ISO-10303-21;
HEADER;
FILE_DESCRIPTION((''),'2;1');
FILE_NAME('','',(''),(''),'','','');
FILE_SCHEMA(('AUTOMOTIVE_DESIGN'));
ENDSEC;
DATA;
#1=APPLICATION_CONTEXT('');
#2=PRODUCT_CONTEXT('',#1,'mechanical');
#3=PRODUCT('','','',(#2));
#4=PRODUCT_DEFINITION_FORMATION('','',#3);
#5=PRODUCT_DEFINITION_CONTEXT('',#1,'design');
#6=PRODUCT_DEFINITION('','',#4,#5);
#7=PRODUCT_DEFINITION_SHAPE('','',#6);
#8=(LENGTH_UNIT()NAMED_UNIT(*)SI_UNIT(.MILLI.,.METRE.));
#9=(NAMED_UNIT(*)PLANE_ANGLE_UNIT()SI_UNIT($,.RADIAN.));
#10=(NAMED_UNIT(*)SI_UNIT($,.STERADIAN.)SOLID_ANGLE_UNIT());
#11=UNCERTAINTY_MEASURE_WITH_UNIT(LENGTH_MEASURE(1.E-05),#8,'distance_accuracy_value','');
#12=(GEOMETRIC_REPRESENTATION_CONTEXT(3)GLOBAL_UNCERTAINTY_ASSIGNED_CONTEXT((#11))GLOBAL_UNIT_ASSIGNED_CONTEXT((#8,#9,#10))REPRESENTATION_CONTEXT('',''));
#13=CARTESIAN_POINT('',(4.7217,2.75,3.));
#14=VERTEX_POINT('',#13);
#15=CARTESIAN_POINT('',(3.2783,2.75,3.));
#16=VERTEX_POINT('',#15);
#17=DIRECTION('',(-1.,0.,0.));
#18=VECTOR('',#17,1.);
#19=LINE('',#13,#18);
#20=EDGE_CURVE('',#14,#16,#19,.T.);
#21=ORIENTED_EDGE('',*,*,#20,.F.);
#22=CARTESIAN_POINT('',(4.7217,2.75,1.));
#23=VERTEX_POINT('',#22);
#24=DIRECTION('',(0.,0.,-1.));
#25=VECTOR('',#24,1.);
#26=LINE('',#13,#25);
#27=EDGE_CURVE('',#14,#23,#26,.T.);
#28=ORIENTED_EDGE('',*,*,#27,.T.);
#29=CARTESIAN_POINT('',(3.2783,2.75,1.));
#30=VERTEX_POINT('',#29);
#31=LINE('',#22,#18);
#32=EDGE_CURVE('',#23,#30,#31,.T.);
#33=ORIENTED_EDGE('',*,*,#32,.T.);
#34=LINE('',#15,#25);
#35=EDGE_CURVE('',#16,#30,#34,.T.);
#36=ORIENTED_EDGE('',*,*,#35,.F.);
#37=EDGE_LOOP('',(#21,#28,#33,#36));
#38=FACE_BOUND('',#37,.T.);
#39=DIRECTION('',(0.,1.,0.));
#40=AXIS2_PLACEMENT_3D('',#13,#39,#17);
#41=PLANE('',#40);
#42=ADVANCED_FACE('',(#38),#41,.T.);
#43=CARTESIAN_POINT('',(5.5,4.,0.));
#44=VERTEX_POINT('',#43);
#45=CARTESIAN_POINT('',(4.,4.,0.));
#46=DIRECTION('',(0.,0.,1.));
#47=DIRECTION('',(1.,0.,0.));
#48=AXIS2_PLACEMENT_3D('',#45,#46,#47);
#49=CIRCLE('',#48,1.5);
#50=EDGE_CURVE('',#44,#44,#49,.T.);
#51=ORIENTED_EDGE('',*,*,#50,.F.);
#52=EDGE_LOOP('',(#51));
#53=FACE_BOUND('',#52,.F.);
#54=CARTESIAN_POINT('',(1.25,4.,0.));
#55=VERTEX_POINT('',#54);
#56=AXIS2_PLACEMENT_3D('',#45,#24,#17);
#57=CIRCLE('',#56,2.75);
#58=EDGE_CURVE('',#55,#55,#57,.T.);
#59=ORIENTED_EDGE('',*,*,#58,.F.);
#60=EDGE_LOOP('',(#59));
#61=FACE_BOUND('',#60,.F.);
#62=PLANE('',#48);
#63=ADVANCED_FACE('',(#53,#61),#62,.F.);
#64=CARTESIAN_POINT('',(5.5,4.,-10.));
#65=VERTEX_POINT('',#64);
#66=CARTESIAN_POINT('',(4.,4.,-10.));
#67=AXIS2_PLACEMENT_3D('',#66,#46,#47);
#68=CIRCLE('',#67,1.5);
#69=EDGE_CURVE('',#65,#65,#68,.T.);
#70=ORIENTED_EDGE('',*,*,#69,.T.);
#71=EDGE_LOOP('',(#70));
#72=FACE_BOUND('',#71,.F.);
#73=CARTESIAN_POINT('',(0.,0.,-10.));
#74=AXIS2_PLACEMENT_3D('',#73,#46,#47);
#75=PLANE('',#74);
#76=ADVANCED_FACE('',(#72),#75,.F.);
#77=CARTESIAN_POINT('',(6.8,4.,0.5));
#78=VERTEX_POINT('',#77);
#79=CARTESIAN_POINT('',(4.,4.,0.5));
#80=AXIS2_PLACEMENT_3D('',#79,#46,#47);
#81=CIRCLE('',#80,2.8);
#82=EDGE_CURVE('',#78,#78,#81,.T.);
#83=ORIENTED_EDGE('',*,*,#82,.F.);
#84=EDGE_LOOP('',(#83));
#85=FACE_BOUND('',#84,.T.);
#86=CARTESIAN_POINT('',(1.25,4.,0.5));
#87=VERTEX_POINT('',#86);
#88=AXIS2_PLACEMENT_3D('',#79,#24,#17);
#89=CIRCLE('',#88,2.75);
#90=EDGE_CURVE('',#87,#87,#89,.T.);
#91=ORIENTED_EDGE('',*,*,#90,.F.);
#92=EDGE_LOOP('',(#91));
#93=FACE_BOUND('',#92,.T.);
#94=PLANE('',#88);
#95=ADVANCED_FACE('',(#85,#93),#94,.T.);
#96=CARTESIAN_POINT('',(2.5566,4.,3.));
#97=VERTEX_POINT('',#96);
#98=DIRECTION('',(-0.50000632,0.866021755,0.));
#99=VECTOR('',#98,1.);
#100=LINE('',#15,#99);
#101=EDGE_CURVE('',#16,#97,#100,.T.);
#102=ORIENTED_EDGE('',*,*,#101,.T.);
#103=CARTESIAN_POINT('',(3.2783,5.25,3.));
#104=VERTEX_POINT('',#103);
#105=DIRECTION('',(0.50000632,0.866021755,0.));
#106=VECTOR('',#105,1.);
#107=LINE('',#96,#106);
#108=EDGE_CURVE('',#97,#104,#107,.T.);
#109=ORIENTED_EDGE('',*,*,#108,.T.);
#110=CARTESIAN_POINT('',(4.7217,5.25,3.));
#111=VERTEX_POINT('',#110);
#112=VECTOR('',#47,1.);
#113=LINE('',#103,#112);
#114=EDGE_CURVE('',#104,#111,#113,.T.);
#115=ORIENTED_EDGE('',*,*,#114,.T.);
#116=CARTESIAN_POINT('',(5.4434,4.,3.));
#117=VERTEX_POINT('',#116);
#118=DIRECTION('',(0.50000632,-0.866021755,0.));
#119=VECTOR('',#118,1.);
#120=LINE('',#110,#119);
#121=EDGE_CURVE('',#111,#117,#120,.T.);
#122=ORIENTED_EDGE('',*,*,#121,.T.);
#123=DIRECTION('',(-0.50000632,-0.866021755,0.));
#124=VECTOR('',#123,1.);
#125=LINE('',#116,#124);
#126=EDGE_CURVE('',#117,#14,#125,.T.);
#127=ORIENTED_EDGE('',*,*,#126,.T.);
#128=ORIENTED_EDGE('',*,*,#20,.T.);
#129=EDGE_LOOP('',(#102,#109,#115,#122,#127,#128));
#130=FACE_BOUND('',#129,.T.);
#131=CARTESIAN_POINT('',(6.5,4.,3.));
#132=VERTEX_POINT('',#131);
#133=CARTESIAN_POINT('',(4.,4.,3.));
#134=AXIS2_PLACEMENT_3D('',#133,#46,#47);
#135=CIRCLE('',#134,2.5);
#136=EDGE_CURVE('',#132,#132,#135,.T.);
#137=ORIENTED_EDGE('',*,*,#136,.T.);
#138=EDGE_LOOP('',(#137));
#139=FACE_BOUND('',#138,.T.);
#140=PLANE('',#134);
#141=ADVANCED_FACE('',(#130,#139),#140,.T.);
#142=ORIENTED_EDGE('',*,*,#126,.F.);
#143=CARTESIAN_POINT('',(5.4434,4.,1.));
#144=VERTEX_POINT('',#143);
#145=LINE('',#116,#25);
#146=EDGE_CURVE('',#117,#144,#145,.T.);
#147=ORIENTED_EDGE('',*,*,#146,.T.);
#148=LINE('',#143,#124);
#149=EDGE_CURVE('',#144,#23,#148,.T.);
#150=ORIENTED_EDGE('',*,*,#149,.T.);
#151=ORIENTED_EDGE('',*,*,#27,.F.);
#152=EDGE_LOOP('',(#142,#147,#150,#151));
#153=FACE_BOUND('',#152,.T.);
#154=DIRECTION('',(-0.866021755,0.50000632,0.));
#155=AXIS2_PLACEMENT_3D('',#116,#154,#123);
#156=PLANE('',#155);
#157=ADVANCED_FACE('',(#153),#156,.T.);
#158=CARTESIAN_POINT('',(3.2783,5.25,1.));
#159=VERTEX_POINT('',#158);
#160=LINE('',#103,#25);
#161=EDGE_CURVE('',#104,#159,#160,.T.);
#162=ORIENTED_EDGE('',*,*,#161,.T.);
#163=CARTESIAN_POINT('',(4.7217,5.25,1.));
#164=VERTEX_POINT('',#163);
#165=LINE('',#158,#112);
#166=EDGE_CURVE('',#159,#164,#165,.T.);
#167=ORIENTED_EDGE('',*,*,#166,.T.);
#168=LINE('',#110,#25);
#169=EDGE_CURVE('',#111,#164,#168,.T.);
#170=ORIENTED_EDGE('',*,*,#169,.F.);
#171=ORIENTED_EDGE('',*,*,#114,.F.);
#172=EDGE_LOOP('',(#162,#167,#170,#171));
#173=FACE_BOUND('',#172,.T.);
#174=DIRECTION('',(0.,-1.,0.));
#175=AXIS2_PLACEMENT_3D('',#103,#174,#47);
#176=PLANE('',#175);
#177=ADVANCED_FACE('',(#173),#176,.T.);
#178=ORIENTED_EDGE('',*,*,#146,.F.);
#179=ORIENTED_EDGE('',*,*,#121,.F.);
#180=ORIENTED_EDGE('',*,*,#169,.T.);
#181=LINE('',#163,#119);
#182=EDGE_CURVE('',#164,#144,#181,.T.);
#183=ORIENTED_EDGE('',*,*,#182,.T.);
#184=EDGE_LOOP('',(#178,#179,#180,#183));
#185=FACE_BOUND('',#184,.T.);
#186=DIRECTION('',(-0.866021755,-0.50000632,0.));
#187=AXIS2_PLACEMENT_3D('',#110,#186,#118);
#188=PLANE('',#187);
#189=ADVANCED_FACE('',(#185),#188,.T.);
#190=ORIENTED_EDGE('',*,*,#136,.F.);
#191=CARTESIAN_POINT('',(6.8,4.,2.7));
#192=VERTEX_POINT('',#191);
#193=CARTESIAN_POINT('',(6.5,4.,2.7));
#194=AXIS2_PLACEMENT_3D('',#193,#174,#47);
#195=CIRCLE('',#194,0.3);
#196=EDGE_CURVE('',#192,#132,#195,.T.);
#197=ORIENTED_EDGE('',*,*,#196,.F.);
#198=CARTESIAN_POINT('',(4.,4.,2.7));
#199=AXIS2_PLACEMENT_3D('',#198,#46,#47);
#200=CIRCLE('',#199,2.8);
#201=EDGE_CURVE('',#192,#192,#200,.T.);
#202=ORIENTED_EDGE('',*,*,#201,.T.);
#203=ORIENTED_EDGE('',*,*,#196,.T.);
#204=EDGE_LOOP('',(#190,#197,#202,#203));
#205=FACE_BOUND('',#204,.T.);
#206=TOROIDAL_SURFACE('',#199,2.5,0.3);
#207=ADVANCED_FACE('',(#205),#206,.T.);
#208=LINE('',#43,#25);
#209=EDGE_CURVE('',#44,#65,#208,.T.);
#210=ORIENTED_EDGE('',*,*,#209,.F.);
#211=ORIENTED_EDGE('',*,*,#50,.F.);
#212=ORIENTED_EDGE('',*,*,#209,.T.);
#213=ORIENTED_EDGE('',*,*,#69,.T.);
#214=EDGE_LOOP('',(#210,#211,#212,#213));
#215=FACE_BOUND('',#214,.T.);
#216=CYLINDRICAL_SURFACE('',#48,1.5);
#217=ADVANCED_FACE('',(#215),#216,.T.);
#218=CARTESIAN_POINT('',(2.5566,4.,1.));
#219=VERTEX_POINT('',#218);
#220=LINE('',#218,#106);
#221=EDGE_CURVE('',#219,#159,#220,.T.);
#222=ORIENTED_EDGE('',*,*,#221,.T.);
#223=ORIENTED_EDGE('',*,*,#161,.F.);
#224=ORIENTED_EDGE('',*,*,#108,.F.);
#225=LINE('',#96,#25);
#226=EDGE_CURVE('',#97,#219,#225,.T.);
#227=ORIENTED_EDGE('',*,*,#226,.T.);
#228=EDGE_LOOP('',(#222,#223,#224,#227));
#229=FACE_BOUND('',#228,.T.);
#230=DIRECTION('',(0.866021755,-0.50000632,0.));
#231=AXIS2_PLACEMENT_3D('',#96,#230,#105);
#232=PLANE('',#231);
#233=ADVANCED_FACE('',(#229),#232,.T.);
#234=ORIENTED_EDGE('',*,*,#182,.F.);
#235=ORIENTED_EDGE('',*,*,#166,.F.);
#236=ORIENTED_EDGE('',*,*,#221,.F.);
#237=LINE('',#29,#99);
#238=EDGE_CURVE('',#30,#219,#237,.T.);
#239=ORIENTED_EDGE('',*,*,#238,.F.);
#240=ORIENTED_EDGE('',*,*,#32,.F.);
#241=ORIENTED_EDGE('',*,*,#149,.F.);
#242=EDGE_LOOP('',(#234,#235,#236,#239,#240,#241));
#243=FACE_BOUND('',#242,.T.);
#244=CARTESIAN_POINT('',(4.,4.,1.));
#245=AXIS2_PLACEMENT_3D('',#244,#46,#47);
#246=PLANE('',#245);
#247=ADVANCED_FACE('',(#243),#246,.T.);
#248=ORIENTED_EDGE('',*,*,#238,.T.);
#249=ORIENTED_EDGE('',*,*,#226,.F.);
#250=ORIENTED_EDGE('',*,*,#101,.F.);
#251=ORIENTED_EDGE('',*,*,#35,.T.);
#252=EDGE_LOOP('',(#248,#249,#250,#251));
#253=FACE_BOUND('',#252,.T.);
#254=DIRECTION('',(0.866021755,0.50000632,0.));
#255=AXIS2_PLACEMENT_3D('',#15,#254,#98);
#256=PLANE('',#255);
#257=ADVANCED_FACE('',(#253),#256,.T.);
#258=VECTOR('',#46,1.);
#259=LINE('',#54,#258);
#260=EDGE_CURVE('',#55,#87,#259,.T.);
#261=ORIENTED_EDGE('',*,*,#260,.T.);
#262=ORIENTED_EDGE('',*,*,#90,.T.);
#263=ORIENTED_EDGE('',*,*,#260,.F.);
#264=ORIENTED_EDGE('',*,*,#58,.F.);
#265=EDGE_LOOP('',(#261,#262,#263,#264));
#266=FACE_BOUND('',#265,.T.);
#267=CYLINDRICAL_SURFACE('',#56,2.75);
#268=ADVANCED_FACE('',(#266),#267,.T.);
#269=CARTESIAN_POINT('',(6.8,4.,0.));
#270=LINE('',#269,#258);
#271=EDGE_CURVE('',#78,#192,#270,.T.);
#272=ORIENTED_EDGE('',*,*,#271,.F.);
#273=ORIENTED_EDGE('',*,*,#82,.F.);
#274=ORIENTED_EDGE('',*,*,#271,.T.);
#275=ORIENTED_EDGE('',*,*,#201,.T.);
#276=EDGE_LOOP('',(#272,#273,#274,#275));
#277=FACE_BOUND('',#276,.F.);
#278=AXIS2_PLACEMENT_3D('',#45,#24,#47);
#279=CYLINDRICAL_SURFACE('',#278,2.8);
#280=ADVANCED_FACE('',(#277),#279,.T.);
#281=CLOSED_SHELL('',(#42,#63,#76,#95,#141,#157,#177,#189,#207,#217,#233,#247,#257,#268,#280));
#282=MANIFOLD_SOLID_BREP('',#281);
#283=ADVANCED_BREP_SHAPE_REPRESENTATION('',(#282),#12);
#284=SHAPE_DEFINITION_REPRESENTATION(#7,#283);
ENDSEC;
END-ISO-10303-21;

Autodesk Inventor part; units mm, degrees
ref_plane "YZ Plane" through (0, 0, 0) normal (1, 0, 0) x (0, 1, 0)
ref_plane "XZ Plane" through (0, 0, 0) normal (0, 1, 0) x (-1, 0, 0)
ref_plane "XY Plane" through (0, 0, 0) normal (0, 0, 1) x (1, 0, 0)
sketch "Sketch1" plane through (0, 0, 0) normal (0, 0, 1) x (1, 0, 0)
  circle A0 centre (4, 4) radius 1.2 projected
  circle A1 centre (4, 4) radius 1.5
  point P0 (0, 0)
  dimension "d0" = 3
extrude "Extrusion1" add sketch "Sketch1" against normal blind 10 contours A0 | A1
sketch "Sketch2" plane through (4, 4, 0) normal (0, 0, 1) x (1, 0, 0)
  circle A0 centre (0, 0) radius 1.5 projected
  circle A1 centre (0, 0) radius 2.8
  point P0 (-4, -4)
  dimension "d3" = 5.6
extrude "Extrusion2" add sketch "Sketch2" along normal blind 3 contours A0 | A1
fillet "Fillet1" radius 0.3 1 edges at (1.2, 4, 3)
sketch "Sketch3" plane through (4, 4, 0) normal (0, 0, -1) x (-1, 0, 0)
  circle A0 centre (0, 0) radius 2.8 projected
  circle A1 centre (0, 0) radius 1.5 projected
  circle A2 centre (0, 0) radius 2.75
  point P0 (4, -4)
  dimension "d7" = 5.5
extrude "Extrusion3" cut sketch "Sketch3" against normal blind 0.5 contours A0
sketch "Sketch4" plane through (4, 4, 3) normal (0, 0, 1) x (1, 0, 0)
  circle A0 centre (0, 0) radius 2.5 projected
  line L0 (0.7217, 1.25) -> (1.4434, 0)
  line L1 (1.4434, 0) -> (0.7217, -1.25)
  line L2 (0.7217, -1.25) -> (-0.7217, -1.25)
  line L3 (-0.7217, -1.25) -> (-1.4434, 0)
  line L4 (-1.4434, 0) -> (-0.7217, 1.25)
  line L5 (-0.7217, 1.25) -> (0.7217, 1.25)
  point P0 (-4, -4)
  dimension "d10" = 2.5
extrude "Extrusion4" cut sketch "Sketch4" against normal blind 2 contours L0 L1 L2 L3 L4 L5
thread "Thread1" size "M3x0.5" class "6g" standard "ANSI Metric M Profile" full length
properties part number "m3 6" material "Steel"
